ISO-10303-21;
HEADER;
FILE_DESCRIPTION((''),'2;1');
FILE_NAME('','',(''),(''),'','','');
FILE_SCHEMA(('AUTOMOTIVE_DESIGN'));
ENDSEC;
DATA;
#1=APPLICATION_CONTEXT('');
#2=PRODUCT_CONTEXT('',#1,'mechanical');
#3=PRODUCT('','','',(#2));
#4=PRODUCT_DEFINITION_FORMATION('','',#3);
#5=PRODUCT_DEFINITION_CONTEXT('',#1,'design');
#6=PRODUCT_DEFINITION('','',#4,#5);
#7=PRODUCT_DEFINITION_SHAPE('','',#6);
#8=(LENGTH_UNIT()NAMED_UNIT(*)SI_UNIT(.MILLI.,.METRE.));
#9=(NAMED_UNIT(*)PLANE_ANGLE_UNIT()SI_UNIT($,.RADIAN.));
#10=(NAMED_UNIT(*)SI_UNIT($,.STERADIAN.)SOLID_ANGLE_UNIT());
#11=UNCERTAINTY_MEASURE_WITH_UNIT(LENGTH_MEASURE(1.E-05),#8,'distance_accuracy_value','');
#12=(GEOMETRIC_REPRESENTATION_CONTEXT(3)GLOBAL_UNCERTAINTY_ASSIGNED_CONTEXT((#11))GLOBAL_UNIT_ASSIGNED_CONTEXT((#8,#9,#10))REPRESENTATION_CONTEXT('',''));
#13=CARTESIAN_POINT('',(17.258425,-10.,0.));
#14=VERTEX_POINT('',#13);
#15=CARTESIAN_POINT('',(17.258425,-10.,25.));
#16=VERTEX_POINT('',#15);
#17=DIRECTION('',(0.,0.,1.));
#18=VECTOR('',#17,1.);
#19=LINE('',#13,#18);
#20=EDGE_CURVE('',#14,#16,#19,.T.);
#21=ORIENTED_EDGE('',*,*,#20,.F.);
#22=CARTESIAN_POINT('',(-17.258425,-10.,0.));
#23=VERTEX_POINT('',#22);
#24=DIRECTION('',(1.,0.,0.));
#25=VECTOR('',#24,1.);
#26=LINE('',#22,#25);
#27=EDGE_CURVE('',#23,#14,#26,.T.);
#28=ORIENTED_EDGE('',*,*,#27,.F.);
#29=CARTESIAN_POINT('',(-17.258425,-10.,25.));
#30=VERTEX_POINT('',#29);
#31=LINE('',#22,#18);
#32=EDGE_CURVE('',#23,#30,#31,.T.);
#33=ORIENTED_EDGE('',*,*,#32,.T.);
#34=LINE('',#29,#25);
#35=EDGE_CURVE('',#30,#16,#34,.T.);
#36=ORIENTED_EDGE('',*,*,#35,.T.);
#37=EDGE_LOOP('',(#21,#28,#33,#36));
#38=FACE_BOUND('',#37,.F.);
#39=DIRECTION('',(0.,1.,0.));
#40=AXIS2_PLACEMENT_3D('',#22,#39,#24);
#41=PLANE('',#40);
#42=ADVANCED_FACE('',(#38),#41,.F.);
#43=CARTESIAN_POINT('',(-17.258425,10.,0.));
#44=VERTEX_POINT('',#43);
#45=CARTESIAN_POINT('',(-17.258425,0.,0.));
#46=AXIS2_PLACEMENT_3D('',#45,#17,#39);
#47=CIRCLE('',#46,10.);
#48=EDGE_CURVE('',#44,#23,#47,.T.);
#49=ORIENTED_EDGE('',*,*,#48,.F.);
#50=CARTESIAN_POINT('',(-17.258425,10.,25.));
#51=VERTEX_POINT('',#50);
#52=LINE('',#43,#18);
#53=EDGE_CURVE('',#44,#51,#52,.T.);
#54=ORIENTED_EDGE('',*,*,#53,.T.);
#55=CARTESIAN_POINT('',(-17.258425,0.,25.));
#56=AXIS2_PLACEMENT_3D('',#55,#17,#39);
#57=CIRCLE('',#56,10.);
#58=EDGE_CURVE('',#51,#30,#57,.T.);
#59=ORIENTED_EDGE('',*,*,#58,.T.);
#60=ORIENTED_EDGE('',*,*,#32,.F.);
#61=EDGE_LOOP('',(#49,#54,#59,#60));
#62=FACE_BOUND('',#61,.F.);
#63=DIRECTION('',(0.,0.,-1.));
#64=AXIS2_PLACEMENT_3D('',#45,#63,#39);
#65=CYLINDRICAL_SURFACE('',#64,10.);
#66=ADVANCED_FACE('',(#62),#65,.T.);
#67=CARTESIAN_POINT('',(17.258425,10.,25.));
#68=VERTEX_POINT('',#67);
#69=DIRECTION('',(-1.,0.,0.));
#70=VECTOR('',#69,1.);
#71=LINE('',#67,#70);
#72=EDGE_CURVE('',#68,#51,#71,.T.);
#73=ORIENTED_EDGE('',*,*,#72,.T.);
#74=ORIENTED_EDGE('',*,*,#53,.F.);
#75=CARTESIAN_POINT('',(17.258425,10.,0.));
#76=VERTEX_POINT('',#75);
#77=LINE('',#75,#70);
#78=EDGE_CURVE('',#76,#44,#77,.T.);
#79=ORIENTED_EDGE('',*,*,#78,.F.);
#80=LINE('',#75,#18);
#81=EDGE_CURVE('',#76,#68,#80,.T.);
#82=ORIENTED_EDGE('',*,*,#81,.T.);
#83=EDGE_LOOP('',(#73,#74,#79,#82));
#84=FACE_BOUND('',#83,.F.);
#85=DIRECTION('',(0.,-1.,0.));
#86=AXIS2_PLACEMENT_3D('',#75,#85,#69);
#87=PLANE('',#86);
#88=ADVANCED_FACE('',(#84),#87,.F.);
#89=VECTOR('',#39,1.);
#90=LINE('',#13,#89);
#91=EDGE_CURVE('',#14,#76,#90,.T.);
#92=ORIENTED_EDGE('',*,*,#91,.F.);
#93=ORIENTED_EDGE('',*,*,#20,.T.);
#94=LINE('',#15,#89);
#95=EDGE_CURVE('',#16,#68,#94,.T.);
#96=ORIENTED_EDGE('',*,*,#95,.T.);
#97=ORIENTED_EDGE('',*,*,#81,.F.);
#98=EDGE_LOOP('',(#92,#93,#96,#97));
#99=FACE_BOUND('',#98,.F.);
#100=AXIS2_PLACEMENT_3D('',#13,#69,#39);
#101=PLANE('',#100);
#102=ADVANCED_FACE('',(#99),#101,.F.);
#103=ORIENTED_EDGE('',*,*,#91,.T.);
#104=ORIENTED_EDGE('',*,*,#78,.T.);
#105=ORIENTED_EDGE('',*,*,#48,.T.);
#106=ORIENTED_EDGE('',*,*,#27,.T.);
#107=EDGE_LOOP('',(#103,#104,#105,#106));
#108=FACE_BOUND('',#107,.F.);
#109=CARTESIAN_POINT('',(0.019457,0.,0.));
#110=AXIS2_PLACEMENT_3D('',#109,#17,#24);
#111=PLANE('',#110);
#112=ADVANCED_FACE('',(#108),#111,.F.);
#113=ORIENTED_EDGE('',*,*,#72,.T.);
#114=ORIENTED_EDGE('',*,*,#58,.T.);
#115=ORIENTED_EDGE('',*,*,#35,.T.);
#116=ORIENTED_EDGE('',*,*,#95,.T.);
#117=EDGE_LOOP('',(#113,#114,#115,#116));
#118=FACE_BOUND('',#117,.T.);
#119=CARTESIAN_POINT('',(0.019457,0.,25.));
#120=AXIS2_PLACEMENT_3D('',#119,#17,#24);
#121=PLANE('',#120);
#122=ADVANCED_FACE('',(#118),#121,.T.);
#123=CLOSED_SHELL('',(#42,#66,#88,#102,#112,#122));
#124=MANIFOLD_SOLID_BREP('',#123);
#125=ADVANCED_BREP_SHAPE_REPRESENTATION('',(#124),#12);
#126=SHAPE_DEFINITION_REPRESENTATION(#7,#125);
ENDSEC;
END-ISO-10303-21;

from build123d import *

# Parameters (mm, degrees)
F1_DEPTH = 25


with BuildPart() as f1:
    # F0 (on Top) → F1 (new body)
    with BuildSketch(Plane.XY):
        with BuildLine():
            Line((-17.2584246076, -10), (17.2584246076, -10))
            Line((17.2584246076, -10), (17.2584246076, 10))
            Line((17.2584246076, 10), (-17.2584246076, 10))
            ThreePointArc((-17.2584246076, 10), (-10.1873567958, 7.0710678119), (-7.2584246076, 0))
            ThreePointArc((-7.2584246076, 0), (-10.1873567958, -7.0710678119), (-17.2584246076, -10))
        make_face()
        with BuildLine():
            Line((-17.2584246076, 5), (-17.2584246076, -5))
            ThreePointArc((-17.2584246076, -5), (-13.7228907017, -3.5355339059), (-12.2584246076, 0))
            ThreePointArc((-12.2584246076, 0), (-13.7228907017, 3.5355339059), (-17.2584246076, 5))
        make_face()
        with BuildLine():
            ThreePointArc((-17.2584246076, 5), (-22.2584246076, 0), (-17.2584246076, -5))
            Line((-17.2584246076, -5), (-17.2584246076, 5))
        make_face()
        with BuildLine():
            ThreePointArc((-17.2584246076, 10), (-27.2584246076, 0), (-17.2584246076, -10))
            Line((-17.2584246076, -10), (-17.2584246076, -5))
            ThreePointArc((-17.2584246076, -5), (-22.2584246076, 0), (-17.2584246076, 5))
            Line((-17.2584246076, 5), (-17.2584246076, 10))
        make_face()
        with BuildLine():
            Line((-17.2584246076, -5), (-17.2584246076, -10))
            ThreePointArc((-17.2584246076, -10), (-10.1873567958, -7.0710678119), (-7.2584246076, 0))
            ThreePointArc((-7.2584246076, 0), (-10.1873567958, 7.0710678119), (-17.2584246076, 10))
            Line((-17.2584246076, 10), (-17.2584246076, 5))
            ThreePointArc((-17.2584246076, 5), (-13.7228907017, 3.5355339059), (-12.2584246076, 0))
            ThreePointArc((-12.2584246076, 0), (-13.7228907017, -3.5355339059), (-17.2584246076, -5))
        make_face()
    extrude(amount=F1_DEPTH)


solid = f1.part
